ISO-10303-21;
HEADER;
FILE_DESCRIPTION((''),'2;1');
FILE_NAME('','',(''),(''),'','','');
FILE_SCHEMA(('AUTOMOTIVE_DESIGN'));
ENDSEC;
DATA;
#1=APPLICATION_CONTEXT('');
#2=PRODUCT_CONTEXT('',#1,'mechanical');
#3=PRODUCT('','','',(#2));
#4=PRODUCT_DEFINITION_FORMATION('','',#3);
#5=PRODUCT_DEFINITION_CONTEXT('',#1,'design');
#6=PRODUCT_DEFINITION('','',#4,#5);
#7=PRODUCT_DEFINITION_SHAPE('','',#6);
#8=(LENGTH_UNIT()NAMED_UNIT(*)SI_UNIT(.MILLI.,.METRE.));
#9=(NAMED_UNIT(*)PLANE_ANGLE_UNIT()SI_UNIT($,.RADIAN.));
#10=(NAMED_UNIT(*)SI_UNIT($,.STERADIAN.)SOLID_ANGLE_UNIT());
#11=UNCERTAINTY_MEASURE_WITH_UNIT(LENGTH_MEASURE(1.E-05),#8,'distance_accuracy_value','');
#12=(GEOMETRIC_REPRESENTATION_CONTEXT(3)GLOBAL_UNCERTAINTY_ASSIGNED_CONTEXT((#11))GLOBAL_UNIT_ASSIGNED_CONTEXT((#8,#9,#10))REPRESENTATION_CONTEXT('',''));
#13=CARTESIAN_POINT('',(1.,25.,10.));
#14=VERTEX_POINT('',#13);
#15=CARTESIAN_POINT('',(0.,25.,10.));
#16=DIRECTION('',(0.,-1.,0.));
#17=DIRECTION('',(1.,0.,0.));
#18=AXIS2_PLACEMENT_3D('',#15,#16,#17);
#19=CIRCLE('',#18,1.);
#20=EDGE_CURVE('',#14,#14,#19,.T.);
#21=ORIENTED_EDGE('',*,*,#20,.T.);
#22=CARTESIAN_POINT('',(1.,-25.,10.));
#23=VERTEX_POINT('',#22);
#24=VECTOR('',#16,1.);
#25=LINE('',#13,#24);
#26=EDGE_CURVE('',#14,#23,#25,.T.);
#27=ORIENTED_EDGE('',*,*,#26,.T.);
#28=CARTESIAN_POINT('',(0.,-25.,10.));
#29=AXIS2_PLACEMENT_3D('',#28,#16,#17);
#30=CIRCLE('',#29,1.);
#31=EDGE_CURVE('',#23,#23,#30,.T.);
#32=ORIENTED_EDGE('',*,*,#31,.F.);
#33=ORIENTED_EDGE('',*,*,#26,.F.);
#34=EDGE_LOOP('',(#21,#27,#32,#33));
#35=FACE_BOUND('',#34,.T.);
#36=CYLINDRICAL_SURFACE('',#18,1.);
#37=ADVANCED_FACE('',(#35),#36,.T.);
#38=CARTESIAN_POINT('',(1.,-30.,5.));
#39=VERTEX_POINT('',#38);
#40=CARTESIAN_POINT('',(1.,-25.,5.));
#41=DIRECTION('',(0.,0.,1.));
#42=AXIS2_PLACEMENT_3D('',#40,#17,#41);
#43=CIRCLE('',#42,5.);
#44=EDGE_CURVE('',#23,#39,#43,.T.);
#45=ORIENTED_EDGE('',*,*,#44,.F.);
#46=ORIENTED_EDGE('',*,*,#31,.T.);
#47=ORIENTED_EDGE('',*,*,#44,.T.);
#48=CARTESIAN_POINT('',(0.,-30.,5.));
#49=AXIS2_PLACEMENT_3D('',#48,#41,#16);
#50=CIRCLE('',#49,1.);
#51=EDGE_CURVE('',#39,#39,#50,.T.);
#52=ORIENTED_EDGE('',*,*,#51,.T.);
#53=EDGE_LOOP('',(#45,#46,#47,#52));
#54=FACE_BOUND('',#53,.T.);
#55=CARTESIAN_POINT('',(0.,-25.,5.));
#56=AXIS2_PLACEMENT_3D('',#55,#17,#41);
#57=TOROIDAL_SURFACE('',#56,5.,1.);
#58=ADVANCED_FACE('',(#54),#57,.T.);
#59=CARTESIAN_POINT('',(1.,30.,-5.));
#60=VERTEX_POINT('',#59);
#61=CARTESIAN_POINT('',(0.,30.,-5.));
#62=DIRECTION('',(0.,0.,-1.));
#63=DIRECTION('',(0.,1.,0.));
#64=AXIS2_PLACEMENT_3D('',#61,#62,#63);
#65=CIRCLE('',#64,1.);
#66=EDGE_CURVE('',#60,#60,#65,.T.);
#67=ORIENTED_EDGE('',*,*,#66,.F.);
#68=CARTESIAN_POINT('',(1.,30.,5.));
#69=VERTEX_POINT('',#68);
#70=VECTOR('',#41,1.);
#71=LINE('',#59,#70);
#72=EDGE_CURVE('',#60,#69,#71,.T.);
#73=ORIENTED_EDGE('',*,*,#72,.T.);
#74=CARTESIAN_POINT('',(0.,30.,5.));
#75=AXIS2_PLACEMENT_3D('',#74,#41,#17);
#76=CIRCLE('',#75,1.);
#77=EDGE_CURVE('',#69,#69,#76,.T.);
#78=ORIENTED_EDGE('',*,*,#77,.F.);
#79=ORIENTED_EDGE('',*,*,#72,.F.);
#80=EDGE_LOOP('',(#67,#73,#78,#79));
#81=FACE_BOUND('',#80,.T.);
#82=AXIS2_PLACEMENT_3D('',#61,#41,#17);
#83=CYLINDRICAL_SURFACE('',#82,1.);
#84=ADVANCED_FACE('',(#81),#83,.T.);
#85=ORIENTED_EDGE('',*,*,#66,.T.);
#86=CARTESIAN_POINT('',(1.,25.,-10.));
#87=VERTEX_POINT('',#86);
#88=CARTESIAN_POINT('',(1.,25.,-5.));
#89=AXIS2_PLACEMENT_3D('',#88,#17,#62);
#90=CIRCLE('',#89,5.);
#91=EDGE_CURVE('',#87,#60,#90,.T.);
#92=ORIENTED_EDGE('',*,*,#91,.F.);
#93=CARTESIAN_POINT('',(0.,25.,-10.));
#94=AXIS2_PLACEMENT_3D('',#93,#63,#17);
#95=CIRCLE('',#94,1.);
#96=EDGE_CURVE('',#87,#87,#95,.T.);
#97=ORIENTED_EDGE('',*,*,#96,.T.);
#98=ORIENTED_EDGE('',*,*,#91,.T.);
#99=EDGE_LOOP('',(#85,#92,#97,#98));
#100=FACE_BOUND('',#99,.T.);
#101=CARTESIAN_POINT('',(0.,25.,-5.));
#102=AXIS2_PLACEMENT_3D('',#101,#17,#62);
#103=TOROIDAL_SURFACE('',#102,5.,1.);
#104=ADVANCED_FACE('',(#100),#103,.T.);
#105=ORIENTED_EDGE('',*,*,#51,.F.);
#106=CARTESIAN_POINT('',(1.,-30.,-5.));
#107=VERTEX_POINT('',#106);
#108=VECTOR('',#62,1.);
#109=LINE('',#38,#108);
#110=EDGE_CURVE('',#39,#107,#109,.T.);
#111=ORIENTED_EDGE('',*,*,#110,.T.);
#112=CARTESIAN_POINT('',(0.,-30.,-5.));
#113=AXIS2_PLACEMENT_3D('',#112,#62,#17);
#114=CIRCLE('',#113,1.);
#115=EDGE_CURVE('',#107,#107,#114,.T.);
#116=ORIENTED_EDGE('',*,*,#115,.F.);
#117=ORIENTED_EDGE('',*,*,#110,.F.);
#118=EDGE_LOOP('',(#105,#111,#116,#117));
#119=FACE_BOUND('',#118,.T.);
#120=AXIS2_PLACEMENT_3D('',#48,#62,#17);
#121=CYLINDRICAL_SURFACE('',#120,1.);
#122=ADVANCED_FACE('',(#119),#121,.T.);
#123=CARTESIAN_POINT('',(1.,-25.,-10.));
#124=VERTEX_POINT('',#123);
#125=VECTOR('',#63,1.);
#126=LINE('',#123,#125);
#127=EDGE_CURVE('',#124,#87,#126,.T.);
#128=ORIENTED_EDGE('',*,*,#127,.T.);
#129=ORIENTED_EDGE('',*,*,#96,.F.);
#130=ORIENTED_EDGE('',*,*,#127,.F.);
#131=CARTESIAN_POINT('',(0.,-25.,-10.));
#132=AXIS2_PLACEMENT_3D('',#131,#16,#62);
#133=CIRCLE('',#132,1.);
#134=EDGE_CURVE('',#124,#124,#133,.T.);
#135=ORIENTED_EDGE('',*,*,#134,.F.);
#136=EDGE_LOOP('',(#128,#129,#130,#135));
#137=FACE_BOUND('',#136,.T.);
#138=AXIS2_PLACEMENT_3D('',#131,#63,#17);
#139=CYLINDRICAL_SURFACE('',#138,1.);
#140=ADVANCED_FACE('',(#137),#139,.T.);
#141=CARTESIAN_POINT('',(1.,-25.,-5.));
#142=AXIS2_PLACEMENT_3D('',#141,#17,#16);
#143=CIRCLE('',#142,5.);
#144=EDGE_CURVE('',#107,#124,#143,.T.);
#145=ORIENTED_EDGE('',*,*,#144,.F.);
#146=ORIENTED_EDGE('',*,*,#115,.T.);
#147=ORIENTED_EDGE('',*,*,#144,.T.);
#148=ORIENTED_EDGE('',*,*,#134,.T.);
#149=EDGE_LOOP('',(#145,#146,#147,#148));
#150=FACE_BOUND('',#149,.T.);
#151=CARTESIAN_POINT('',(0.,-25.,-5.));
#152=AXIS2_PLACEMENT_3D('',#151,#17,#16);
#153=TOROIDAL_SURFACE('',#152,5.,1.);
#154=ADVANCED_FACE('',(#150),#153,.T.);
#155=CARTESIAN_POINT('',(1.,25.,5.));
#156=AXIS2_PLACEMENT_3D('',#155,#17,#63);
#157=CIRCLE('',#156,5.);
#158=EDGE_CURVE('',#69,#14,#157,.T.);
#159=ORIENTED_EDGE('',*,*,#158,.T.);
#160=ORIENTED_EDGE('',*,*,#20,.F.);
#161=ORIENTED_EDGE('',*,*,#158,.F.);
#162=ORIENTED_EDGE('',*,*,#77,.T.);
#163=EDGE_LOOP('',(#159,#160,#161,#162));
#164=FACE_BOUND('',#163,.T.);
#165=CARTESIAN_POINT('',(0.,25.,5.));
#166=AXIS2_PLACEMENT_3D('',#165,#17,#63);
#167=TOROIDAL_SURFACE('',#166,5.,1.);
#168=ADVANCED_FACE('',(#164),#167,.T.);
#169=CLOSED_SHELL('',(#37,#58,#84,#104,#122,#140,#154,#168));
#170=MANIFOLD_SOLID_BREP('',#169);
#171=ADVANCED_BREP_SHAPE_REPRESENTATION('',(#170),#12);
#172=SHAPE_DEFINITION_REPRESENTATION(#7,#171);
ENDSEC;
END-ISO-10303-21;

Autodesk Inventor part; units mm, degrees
ref_plane "YZ Plane" through (0, 0, 0) normal (1, 0, 0) x (0, 1, 0)
ref_plane "XZ Plane" through (0, 0, 0) normal (0, 1, 0) x (-1, 0, 0)
ref_plane "XY Plane" through (0, 0, 0) normal (0, 0, 1) x (1, 0, 0)
sketch "Sketch1" plane through (0, 0, 0) normal (1, 0, 0) x (0, 1, 0)
  line L0 (25, 10) -> (-25, 10)
  line L1 (-30, 5) -> (-30, -5)
  line L2 (-25, -10) -> (25, -10)
  line L3 (30, -5) -> (30, 5)
  line L4 (30, 10) -> (-30, -10) construction
  line L5 (-30, 10) -> (30, -10) construction
  arc A0 (30, 5) -> (25, 10) centre (25, 5) ccw
  arc A1 (25, -10) -> (30, -5) centre (25, -5) ccw
  arc A2 (-30, -5) -> (-25, -10) centre (-25, -5) ccw
  arc A3 (-25, 10) -> (-30, 5) centre (-25, 5) ccw
  point P0 (0, 0)
  dimension "d0" = 60
  dimension "d1" = 20
  dimension "d2" = 5
sketch "Sketch3" plane through (0, 0, 0) normal (0, 0, 1) x (1, 0, 0)
  circle A0 centre (0, 30) radius 1
  point P0 (0, 0)
  dimension "d4" = 2
sweep "Sweep1" add profiles "Sketch3" path "Sketch1"
properties part number "Mock String"
